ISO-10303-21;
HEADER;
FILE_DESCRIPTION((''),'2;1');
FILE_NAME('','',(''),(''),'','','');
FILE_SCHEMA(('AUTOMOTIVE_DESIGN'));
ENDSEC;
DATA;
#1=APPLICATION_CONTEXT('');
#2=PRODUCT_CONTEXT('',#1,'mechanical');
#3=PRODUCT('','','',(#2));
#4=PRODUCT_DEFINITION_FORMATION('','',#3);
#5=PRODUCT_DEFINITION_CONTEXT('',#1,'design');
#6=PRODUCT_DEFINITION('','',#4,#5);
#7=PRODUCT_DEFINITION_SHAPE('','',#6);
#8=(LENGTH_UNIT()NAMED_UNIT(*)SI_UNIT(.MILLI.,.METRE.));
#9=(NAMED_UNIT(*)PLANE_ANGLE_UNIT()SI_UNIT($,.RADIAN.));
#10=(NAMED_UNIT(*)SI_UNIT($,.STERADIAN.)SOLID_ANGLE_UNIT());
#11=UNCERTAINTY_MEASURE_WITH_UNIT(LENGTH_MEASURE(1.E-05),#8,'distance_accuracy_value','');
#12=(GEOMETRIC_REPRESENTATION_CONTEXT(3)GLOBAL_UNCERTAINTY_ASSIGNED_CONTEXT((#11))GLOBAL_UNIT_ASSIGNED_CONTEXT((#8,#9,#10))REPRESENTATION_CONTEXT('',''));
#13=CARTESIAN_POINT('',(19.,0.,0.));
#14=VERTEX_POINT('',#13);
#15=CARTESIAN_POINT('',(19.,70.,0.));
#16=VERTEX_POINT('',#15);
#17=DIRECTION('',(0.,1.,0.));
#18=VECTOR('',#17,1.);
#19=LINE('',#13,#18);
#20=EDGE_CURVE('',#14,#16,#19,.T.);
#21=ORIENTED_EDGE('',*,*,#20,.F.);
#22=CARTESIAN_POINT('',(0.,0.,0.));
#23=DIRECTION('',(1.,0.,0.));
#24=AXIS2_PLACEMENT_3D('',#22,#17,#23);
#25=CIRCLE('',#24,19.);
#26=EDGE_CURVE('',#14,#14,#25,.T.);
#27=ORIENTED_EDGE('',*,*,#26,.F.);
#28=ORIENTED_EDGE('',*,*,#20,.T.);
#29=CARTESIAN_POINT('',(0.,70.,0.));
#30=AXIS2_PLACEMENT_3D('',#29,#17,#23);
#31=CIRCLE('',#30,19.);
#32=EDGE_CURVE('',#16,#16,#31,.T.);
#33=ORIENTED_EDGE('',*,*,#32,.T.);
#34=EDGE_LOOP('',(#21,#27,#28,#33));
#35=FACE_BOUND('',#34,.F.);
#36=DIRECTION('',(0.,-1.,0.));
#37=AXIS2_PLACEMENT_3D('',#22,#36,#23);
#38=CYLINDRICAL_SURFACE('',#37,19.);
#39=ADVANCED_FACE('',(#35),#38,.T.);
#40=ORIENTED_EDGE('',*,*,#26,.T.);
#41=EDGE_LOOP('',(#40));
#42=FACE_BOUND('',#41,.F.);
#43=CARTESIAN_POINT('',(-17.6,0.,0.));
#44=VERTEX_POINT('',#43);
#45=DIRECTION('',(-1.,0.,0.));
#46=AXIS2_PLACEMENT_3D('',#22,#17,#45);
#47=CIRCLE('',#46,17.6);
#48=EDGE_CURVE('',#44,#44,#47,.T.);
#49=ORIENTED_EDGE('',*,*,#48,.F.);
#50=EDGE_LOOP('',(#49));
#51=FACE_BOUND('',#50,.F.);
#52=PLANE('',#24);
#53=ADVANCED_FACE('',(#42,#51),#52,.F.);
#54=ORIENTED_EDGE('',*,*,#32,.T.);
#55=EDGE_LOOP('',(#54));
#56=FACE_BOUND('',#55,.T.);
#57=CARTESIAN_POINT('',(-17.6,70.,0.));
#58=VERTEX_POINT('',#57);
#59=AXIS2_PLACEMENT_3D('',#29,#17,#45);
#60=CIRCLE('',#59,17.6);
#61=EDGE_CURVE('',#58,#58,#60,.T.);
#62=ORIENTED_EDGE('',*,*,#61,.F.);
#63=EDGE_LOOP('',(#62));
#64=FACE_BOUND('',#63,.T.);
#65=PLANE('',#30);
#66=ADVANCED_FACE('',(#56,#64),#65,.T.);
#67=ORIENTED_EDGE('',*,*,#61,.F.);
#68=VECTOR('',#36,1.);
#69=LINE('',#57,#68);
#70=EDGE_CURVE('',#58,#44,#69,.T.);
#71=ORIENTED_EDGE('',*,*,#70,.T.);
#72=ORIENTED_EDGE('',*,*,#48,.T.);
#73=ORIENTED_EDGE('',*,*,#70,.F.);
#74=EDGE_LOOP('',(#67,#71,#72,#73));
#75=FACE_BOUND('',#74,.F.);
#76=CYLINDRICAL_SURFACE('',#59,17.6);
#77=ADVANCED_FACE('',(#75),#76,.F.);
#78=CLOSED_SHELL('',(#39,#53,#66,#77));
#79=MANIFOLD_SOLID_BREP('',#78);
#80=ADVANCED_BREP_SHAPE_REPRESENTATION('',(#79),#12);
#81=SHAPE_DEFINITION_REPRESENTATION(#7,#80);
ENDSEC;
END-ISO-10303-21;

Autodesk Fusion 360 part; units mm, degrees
sketch "Sketch2" plane through (0, 0, 0) normal (0, 1, 0) x (1, 0, 0)
  circle A0 centre (0, 0) radius 19
  dimension "d3" = 38
extrude "Extrude1" add sketch "Sketch2" along normal blind 70
sketch "Sketch4" plane through (0, 70, 0) normal (0, 1, 0) x (-1, 0, 0)
  circle A0 centre (0, 0) radius 19
  circle A1 centre (0, 0) radius 17.6
  dimension "d11" = 35.2
extrude "Extrude4" cut sketch "Sketch4" against normal through all contours A1
